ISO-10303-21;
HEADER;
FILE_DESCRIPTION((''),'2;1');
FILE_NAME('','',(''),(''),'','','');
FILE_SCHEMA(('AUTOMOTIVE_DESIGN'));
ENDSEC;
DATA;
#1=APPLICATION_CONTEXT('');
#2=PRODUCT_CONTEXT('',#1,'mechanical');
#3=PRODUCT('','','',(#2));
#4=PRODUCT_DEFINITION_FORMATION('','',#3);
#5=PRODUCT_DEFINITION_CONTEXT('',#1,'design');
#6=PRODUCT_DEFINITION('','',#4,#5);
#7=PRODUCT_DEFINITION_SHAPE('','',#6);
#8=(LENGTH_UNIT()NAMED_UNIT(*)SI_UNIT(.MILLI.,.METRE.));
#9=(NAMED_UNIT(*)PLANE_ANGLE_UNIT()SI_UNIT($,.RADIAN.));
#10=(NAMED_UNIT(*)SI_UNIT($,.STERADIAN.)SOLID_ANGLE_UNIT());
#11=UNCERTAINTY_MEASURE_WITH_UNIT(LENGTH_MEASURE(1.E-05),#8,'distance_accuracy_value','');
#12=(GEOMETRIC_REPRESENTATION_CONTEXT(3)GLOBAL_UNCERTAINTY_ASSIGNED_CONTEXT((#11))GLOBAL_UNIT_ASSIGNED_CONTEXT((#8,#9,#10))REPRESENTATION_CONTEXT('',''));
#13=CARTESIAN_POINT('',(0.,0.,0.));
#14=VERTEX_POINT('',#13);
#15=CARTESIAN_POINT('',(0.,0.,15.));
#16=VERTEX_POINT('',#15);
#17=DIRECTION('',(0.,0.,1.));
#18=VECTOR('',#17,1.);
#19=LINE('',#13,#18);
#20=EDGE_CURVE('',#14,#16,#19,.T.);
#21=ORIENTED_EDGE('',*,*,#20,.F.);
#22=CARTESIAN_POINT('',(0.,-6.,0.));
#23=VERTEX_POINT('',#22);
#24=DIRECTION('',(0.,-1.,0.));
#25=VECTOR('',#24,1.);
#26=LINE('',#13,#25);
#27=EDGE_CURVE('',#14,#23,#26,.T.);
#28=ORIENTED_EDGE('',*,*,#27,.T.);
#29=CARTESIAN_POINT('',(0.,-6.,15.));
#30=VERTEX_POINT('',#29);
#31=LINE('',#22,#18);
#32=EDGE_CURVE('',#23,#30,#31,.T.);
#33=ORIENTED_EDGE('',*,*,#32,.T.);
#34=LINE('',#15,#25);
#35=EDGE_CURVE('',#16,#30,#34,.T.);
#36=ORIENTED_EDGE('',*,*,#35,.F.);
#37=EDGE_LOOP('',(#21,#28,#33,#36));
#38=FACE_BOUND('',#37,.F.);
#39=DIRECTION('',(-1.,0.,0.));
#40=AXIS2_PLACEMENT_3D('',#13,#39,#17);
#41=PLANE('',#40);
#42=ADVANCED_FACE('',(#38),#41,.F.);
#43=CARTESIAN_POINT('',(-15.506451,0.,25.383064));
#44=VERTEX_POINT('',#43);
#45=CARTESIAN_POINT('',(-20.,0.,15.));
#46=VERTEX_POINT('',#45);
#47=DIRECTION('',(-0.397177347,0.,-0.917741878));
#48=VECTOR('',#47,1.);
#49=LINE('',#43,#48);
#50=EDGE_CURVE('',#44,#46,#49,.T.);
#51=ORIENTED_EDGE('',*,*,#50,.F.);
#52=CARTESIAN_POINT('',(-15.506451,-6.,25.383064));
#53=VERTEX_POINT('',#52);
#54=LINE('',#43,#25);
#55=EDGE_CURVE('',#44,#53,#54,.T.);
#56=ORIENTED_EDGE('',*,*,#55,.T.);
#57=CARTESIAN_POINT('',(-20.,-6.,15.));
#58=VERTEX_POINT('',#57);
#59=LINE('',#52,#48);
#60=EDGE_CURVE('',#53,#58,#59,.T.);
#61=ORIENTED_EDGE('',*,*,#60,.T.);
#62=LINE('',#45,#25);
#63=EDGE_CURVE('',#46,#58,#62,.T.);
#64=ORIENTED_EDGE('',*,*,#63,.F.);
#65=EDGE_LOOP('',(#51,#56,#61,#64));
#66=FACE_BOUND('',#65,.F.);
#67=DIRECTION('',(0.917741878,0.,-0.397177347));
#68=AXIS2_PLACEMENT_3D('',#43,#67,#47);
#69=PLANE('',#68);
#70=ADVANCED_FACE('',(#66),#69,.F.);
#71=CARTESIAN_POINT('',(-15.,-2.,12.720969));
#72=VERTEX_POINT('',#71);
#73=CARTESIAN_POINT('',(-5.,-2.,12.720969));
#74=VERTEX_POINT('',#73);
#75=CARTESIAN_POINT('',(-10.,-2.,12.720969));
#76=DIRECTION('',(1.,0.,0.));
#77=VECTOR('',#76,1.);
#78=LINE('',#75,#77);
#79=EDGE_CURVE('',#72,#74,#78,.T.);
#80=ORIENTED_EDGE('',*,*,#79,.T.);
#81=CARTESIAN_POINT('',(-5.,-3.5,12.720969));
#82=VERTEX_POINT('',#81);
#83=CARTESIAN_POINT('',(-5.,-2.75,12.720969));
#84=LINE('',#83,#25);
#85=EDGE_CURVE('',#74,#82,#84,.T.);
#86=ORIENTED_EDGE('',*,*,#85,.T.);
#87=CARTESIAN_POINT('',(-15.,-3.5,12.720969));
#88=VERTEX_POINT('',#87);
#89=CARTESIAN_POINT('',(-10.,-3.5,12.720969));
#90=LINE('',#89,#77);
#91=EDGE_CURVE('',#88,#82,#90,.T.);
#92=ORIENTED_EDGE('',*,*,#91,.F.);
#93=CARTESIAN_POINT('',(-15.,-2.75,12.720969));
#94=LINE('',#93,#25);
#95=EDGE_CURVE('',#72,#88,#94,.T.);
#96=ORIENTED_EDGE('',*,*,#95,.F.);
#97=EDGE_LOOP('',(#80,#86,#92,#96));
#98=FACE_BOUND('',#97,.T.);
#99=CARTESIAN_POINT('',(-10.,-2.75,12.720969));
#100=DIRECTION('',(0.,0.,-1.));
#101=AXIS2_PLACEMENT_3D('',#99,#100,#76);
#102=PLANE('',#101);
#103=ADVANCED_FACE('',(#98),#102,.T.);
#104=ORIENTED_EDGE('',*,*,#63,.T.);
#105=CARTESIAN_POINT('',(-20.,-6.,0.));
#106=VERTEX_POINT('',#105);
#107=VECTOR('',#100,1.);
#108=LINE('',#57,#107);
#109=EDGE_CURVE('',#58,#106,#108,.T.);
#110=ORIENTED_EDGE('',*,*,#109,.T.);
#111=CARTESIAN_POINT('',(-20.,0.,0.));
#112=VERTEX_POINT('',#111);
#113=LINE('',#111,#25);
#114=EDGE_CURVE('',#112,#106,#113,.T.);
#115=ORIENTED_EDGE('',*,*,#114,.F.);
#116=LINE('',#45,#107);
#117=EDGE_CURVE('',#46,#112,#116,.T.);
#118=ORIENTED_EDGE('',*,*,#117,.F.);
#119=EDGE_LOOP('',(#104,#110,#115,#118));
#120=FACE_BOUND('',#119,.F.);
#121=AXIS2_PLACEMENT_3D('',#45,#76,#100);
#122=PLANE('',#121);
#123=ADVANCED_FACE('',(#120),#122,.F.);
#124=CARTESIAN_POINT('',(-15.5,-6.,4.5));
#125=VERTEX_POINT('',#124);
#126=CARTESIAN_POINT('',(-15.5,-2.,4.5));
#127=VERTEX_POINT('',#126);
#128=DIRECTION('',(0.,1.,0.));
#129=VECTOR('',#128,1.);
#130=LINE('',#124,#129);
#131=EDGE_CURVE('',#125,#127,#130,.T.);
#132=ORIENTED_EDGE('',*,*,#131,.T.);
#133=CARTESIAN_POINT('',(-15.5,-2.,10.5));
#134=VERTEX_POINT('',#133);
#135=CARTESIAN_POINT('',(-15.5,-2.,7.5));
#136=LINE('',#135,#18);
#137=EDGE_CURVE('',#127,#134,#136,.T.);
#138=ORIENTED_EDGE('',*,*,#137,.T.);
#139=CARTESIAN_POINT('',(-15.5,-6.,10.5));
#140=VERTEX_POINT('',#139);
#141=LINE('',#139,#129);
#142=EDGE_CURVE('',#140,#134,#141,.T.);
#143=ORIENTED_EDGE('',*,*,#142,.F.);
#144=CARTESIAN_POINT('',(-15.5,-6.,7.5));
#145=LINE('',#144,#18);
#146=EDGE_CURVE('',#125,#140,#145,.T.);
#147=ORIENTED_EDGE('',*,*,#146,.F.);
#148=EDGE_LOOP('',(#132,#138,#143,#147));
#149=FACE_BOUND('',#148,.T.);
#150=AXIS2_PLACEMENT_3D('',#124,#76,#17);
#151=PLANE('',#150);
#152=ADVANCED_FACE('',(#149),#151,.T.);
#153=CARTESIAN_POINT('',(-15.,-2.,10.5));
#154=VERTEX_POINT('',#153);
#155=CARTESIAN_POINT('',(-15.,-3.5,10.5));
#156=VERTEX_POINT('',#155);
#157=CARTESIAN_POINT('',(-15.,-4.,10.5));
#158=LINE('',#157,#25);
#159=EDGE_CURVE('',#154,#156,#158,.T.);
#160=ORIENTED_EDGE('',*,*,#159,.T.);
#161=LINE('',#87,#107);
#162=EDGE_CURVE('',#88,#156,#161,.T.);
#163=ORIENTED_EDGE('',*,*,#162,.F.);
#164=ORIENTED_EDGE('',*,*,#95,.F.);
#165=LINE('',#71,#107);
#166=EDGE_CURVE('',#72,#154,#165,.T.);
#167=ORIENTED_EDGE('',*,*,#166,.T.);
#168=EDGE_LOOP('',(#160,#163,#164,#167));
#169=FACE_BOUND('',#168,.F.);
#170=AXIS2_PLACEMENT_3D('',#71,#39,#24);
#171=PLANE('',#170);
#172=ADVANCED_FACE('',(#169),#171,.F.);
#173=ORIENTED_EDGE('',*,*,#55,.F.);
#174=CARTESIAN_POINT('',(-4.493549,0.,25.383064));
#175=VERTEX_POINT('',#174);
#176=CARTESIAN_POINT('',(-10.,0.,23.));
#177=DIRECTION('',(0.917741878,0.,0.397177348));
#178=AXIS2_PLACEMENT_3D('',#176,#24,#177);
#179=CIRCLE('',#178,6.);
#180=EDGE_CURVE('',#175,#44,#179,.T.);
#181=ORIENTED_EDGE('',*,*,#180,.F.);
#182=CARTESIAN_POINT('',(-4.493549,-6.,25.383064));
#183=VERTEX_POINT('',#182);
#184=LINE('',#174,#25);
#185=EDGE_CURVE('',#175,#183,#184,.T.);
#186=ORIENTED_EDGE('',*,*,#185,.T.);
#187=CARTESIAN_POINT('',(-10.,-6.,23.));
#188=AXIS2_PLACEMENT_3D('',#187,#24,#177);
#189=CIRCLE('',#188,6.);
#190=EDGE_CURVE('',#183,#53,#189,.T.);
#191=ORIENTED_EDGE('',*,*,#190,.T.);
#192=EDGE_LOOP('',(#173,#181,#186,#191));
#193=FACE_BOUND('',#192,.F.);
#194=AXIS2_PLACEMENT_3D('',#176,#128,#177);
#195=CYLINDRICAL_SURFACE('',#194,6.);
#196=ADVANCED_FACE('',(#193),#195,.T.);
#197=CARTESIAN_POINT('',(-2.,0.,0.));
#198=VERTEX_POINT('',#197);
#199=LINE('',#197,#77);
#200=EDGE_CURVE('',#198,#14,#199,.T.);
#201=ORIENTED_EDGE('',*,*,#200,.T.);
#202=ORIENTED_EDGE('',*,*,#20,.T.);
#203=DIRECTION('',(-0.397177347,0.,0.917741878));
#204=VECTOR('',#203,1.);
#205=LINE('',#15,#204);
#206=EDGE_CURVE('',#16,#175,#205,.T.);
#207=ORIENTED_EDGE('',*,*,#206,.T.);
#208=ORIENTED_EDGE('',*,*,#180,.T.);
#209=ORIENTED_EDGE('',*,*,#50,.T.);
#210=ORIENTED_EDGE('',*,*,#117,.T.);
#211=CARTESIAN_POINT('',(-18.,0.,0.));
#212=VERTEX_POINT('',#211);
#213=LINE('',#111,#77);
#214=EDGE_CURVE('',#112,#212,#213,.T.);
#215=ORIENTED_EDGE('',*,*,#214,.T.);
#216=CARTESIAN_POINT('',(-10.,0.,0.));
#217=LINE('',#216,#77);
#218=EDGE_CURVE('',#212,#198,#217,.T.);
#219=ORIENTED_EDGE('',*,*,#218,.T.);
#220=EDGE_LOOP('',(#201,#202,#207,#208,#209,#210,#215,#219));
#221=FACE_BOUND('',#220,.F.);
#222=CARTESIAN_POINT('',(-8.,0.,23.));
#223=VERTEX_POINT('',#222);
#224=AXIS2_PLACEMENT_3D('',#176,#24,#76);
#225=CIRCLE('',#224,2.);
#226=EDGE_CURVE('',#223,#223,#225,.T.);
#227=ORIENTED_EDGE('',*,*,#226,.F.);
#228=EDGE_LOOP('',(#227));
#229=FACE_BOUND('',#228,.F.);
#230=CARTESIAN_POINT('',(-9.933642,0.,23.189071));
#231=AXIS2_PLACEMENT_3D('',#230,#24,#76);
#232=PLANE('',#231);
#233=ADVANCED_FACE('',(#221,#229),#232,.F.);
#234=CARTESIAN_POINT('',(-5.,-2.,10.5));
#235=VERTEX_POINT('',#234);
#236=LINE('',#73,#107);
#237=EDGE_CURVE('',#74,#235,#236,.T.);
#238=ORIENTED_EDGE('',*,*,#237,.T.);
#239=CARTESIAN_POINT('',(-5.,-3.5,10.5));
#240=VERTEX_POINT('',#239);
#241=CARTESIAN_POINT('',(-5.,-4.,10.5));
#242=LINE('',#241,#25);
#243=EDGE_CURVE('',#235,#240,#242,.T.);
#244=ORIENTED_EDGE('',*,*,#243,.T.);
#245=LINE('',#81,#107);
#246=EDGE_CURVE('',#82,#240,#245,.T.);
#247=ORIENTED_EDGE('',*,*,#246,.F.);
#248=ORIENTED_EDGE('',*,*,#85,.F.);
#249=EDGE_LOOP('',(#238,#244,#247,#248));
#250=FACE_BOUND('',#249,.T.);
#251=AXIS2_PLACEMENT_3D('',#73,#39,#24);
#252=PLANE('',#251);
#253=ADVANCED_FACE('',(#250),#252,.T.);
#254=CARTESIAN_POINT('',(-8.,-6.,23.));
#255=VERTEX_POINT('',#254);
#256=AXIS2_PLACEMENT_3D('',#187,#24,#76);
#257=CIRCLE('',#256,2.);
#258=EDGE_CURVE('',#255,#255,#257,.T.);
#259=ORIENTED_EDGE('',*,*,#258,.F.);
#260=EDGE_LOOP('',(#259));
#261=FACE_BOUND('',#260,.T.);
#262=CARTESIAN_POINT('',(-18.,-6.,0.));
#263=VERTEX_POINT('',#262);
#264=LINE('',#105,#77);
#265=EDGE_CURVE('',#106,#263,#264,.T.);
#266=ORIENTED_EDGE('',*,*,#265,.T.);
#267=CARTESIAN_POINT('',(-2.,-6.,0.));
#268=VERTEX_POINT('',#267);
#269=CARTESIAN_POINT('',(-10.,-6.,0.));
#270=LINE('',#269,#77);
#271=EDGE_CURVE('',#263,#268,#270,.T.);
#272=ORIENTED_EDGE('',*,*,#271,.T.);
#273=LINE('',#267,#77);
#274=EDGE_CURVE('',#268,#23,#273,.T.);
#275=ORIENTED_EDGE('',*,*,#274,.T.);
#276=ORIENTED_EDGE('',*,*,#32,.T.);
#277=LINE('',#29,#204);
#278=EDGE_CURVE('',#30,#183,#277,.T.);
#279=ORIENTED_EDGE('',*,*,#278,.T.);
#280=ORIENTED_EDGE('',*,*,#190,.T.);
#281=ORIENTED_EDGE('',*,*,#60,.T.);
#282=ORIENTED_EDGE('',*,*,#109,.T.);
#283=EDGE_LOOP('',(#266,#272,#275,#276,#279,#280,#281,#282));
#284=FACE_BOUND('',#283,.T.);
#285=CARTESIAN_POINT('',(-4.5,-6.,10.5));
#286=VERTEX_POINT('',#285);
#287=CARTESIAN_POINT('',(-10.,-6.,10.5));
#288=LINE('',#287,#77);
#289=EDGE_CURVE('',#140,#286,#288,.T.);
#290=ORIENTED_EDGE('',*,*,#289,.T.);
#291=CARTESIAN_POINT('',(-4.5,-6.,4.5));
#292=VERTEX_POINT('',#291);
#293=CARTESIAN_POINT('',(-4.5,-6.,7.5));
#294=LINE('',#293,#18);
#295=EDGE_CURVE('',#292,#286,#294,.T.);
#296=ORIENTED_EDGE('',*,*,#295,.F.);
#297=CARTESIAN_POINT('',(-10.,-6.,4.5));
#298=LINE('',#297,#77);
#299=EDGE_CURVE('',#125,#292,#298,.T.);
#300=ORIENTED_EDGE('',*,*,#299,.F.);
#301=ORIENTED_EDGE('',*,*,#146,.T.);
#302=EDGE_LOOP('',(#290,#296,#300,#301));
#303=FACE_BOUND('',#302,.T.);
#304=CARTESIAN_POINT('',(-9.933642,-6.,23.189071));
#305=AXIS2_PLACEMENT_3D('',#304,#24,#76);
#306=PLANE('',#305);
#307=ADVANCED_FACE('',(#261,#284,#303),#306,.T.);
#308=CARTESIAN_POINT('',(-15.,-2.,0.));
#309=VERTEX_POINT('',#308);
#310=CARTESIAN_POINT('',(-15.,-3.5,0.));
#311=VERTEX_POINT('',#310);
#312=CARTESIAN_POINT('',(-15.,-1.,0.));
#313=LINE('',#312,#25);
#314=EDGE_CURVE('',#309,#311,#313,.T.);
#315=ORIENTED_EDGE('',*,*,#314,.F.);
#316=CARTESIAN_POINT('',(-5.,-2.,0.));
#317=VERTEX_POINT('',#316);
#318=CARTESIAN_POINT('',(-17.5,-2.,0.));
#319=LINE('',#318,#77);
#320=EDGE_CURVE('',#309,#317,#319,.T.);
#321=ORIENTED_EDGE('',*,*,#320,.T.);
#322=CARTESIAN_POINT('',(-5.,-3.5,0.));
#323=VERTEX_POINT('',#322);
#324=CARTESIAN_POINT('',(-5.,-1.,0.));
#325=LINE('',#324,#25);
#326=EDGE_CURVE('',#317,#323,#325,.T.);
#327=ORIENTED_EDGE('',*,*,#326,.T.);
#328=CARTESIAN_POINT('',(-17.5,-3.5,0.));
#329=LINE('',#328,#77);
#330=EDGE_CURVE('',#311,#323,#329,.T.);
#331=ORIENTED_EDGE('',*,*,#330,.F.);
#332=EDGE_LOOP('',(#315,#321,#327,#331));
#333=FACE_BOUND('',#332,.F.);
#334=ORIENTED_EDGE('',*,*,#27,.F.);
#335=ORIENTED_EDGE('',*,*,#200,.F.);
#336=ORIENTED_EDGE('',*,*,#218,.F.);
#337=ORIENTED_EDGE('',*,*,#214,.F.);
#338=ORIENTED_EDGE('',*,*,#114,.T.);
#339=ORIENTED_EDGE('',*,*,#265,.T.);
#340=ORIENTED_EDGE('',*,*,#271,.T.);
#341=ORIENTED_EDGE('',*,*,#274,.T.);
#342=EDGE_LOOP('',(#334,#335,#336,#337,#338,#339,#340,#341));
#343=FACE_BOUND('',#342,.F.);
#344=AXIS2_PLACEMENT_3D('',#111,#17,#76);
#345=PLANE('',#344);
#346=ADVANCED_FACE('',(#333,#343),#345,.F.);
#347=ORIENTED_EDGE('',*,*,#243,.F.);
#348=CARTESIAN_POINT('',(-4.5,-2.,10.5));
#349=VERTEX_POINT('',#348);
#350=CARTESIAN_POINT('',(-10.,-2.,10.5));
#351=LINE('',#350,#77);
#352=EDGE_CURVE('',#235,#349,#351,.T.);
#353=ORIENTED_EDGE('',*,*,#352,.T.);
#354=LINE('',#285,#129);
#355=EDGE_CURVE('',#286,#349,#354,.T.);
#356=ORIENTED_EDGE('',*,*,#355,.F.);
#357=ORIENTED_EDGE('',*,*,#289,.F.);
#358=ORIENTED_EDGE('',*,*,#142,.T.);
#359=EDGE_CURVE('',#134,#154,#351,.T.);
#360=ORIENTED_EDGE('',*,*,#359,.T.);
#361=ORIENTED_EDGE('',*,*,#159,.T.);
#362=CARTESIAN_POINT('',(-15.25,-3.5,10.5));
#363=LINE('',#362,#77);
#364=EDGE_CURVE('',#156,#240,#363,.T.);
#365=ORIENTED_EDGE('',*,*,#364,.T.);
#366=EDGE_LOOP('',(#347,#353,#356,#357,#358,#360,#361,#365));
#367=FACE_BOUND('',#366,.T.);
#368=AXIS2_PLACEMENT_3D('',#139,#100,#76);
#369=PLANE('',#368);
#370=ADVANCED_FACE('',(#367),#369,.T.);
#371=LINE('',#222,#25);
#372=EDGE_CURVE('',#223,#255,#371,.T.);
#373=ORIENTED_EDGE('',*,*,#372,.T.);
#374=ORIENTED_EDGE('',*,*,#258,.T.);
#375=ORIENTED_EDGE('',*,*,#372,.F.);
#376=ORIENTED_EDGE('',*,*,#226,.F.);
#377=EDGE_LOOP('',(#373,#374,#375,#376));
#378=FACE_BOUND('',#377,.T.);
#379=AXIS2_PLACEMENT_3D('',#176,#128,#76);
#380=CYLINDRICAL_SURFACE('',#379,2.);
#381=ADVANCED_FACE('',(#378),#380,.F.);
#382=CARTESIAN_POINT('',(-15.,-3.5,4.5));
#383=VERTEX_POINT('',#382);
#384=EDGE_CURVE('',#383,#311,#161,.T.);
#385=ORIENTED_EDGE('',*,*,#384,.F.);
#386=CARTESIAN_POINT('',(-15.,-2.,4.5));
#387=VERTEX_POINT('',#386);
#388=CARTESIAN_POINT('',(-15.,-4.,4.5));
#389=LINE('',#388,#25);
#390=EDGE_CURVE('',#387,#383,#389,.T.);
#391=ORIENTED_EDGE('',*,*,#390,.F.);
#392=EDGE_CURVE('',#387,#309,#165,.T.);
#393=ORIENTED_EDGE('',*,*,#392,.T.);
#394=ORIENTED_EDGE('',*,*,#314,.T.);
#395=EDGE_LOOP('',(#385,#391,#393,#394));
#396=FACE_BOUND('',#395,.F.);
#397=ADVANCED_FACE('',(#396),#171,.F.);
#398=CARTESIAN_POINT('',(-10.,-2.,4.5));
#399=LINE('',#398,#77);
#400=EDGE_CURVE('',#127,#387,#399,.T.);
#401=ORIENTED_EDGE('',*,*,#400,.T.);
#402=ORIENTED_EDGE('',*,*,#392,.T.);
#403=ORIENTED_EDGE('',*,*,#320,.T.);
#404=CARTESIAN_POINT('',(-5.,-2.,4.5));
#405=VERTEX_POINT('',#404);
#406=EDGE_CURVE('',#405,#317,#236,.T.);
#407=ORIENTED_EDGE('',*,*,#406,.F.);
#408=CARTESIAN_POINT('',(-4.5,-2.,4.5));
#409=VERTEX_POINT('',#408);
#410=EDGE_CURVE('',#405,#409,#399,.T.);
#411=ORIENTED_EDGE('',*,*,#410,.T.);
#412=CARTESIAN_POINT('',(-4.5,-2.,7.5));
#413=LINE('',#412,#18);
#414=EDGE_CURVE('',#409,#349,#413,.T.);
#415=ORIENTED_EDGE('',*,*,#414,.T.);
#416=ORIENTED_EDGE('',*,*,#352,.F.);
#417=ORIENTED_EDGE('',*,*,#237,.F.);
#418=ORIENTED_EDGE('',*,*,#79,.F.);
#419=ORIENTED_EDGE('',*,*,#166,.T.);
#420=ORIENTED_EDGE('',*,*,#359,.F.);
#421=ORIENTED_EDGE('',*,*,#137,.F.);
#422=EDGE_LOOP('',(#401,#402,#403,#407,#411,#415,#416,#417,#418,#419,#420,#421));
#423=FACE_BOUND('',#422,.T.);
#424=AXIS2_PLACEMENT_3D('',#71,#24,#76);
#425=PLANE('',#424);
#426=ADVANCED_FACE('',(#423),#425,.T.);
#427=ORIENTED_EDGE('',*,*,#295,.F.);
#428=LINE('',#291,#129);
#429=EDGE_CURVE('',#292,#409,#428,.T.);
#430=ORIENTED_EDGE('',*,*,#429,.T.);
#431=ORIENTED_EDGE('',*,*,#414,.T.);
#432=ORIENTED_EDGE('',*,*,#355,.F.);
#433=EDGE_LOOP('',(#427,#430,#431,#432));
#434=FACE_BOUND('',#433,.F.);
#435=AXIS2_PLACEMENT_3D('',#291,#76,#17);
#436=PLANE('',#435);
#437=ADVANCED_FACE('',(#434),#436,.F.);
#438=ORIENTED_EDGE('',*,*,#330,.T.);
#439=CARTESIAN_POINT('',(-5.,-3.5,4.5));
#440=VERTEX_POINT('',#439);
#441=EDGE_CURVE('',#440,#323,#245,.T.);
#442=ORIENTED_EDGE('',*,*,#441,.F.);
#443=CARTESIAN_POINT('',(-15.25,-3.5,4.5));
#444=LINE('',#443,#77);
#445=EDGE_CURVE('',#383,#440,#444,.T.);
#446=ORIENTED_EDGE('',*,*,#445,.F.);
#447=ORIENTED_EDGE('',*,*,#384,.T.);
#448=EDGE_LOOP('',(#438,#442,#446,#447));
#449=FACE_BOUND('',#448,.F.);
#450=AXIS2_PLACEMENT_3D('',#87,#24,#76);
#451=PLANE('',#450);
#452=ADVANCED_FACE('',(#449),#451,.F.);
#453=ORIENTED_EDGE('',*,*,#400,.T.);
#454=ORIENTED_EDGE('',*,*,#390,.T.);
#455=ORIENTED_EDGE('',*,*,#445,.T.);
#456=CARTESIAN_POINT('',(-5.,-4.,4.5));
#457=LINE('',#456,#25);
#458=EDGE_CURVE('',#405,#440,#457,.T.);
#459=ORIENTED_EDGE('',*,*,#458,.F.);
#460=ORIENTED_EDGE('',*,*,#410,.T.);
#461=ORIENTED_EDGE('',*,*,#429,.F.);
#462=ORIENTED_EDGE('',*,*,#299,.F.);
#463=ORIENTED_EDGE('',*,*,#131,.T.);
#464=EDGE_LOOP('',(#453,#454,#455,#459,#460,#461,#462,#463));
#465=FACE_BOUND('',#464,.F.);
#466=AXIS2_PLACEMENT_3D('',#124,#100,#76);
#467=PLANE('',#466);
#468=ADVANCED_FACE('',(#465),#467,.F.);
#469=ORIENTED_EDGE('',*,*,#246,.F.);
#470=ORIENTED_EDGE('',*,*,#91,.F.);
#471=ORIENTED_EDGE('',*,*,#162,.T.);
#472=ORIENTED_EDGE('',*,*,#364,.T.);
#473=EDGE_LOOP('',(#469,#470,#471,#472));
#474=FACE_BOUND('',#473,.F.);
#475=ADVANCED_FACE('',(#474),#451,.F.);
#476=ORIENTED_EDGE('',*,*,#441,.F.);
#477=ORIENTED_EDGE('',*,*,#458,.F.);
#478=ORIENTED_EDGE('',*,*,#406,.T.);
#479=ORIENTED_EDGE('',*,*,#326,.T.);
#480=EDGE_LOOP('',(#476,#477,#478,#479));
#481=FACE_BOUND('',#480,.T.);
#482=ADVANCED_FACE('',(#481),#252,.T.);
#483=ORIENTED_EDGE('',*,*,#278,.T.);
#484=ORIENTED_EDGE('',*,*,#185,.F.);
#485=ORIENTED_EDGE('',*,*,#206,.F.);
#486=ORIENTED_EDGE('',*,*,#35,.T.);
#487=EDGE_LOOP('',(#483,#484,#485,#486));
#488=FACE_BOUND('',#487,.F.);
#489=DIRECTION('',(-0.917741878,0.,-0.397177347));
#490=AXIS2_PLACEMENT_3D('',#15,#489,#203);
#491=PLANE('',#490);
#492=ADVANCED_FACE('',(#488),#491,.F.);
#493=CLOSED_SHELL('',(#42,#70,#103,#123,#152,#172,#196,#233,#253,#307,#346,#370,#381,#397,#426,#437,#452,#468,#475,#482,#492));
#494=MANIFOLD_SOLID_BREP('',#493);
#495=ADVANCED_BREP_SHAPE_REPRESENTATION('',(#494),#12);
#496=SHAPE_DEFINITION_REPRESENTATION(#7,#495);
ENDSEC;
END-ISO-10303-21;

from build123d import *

# Parameters (mm, degrees)
F0_R     = 2
F0_W     = 16
F0_H     = 12.7209685743
F0_W_2   = 10
F0_H_2   = 5
F1_DEPTH = 6
F3_W     = 10
F3_H     = 1.5
F4_DEPTH = 25
F5_W     = 11
F5_H     = 6
F5_W_2   = 10
F5_H_2   = 5
F6_DEPTH = 4


with BuildPart() as f1:
    # F0 (on Front) → F1 (new body)
    with BuildSketch(Plane.XZ):
        with BuildLine():
            ThreePointArc((-4, 23), (-4.1246826636, 24.216818062), (-4.493548732, 25.383064085))
            ThreePointArc((-4.493548732, 25.383064085), (-10, 29), (-15.506451268, 25.383064085))
            ThreePointArc((-15.506451268, 25.383064085), (-11.216818062, 17.1246826636), (-4, 23))
        make_face()
        with Locations((-10, 23)):
            Circle(F0_R, mode=Mode.SUBTRACT)
        with BuildLine():
            Line((-20, 15), (0, 15))
            Line((0, 15), (-4.493548732, 25.383064085))
            ThreePointArc((-4.493548732, 25.383064085), (-4.1246826636, 24.216818062), (-4, 23))
            ThreePointArc((-4, 23), (-11.216818062, 17.1246826636), (-15.506451268, 25.383064085))
            Line((-15.506451268, 25.383064085), (-20, 15))
        make_face()
        Polygon((-2, 0), (0, 0), (0, 15), (-20, 15), (-20, 0), (-18, 0), (-18, 12.7209685743), (-2, 12.7209685743), align=None)
        with Locations((-10, 6.3604842871)):
            Rectangle(F0_W, F0_H)
        with Locations((-10, 7.5)):
            Rectangle(F0_W_2, F0_H_2, mode=Mode.SUBTRACT)
        with Locations((-10, 7.5)):
            Rectangle(F0_W_2, F0_H_2)
    extrude(amount=F1_DEPTH)

    # F3 (on line) → F4 (cut)
    with BuildSketch(Plane(origin=(0, 0, 12.7209685743), x_dir=(1, 0, 0), z_dir=(0, 0, -1))):
        with Locations((-10, 2.75)):
            Rectangle(F3_W, F3_H)
    extrude(amount=F4_DEPTH, mode=Mode.SUBTRACT)

    # F5 (on face) → F6 (cut)
    with BuildSketch(Plane.XZ.offset(6)):
        with Locations((-10, 7.5)):
            Rectangle(F5_W, F5_H)
        with Locations((-10, 7.5)):
            Rectangle(F5_W_2, F5_H_2, mode=Mode.SUBTRACT)
        with Locations((-10, 7.5)):
            Rectangle(F5_W_2, F5_H_2)
    extrude(amount=-F6_DEPTH, mode=Mode.SUBTRACT)


solid = f1.part
